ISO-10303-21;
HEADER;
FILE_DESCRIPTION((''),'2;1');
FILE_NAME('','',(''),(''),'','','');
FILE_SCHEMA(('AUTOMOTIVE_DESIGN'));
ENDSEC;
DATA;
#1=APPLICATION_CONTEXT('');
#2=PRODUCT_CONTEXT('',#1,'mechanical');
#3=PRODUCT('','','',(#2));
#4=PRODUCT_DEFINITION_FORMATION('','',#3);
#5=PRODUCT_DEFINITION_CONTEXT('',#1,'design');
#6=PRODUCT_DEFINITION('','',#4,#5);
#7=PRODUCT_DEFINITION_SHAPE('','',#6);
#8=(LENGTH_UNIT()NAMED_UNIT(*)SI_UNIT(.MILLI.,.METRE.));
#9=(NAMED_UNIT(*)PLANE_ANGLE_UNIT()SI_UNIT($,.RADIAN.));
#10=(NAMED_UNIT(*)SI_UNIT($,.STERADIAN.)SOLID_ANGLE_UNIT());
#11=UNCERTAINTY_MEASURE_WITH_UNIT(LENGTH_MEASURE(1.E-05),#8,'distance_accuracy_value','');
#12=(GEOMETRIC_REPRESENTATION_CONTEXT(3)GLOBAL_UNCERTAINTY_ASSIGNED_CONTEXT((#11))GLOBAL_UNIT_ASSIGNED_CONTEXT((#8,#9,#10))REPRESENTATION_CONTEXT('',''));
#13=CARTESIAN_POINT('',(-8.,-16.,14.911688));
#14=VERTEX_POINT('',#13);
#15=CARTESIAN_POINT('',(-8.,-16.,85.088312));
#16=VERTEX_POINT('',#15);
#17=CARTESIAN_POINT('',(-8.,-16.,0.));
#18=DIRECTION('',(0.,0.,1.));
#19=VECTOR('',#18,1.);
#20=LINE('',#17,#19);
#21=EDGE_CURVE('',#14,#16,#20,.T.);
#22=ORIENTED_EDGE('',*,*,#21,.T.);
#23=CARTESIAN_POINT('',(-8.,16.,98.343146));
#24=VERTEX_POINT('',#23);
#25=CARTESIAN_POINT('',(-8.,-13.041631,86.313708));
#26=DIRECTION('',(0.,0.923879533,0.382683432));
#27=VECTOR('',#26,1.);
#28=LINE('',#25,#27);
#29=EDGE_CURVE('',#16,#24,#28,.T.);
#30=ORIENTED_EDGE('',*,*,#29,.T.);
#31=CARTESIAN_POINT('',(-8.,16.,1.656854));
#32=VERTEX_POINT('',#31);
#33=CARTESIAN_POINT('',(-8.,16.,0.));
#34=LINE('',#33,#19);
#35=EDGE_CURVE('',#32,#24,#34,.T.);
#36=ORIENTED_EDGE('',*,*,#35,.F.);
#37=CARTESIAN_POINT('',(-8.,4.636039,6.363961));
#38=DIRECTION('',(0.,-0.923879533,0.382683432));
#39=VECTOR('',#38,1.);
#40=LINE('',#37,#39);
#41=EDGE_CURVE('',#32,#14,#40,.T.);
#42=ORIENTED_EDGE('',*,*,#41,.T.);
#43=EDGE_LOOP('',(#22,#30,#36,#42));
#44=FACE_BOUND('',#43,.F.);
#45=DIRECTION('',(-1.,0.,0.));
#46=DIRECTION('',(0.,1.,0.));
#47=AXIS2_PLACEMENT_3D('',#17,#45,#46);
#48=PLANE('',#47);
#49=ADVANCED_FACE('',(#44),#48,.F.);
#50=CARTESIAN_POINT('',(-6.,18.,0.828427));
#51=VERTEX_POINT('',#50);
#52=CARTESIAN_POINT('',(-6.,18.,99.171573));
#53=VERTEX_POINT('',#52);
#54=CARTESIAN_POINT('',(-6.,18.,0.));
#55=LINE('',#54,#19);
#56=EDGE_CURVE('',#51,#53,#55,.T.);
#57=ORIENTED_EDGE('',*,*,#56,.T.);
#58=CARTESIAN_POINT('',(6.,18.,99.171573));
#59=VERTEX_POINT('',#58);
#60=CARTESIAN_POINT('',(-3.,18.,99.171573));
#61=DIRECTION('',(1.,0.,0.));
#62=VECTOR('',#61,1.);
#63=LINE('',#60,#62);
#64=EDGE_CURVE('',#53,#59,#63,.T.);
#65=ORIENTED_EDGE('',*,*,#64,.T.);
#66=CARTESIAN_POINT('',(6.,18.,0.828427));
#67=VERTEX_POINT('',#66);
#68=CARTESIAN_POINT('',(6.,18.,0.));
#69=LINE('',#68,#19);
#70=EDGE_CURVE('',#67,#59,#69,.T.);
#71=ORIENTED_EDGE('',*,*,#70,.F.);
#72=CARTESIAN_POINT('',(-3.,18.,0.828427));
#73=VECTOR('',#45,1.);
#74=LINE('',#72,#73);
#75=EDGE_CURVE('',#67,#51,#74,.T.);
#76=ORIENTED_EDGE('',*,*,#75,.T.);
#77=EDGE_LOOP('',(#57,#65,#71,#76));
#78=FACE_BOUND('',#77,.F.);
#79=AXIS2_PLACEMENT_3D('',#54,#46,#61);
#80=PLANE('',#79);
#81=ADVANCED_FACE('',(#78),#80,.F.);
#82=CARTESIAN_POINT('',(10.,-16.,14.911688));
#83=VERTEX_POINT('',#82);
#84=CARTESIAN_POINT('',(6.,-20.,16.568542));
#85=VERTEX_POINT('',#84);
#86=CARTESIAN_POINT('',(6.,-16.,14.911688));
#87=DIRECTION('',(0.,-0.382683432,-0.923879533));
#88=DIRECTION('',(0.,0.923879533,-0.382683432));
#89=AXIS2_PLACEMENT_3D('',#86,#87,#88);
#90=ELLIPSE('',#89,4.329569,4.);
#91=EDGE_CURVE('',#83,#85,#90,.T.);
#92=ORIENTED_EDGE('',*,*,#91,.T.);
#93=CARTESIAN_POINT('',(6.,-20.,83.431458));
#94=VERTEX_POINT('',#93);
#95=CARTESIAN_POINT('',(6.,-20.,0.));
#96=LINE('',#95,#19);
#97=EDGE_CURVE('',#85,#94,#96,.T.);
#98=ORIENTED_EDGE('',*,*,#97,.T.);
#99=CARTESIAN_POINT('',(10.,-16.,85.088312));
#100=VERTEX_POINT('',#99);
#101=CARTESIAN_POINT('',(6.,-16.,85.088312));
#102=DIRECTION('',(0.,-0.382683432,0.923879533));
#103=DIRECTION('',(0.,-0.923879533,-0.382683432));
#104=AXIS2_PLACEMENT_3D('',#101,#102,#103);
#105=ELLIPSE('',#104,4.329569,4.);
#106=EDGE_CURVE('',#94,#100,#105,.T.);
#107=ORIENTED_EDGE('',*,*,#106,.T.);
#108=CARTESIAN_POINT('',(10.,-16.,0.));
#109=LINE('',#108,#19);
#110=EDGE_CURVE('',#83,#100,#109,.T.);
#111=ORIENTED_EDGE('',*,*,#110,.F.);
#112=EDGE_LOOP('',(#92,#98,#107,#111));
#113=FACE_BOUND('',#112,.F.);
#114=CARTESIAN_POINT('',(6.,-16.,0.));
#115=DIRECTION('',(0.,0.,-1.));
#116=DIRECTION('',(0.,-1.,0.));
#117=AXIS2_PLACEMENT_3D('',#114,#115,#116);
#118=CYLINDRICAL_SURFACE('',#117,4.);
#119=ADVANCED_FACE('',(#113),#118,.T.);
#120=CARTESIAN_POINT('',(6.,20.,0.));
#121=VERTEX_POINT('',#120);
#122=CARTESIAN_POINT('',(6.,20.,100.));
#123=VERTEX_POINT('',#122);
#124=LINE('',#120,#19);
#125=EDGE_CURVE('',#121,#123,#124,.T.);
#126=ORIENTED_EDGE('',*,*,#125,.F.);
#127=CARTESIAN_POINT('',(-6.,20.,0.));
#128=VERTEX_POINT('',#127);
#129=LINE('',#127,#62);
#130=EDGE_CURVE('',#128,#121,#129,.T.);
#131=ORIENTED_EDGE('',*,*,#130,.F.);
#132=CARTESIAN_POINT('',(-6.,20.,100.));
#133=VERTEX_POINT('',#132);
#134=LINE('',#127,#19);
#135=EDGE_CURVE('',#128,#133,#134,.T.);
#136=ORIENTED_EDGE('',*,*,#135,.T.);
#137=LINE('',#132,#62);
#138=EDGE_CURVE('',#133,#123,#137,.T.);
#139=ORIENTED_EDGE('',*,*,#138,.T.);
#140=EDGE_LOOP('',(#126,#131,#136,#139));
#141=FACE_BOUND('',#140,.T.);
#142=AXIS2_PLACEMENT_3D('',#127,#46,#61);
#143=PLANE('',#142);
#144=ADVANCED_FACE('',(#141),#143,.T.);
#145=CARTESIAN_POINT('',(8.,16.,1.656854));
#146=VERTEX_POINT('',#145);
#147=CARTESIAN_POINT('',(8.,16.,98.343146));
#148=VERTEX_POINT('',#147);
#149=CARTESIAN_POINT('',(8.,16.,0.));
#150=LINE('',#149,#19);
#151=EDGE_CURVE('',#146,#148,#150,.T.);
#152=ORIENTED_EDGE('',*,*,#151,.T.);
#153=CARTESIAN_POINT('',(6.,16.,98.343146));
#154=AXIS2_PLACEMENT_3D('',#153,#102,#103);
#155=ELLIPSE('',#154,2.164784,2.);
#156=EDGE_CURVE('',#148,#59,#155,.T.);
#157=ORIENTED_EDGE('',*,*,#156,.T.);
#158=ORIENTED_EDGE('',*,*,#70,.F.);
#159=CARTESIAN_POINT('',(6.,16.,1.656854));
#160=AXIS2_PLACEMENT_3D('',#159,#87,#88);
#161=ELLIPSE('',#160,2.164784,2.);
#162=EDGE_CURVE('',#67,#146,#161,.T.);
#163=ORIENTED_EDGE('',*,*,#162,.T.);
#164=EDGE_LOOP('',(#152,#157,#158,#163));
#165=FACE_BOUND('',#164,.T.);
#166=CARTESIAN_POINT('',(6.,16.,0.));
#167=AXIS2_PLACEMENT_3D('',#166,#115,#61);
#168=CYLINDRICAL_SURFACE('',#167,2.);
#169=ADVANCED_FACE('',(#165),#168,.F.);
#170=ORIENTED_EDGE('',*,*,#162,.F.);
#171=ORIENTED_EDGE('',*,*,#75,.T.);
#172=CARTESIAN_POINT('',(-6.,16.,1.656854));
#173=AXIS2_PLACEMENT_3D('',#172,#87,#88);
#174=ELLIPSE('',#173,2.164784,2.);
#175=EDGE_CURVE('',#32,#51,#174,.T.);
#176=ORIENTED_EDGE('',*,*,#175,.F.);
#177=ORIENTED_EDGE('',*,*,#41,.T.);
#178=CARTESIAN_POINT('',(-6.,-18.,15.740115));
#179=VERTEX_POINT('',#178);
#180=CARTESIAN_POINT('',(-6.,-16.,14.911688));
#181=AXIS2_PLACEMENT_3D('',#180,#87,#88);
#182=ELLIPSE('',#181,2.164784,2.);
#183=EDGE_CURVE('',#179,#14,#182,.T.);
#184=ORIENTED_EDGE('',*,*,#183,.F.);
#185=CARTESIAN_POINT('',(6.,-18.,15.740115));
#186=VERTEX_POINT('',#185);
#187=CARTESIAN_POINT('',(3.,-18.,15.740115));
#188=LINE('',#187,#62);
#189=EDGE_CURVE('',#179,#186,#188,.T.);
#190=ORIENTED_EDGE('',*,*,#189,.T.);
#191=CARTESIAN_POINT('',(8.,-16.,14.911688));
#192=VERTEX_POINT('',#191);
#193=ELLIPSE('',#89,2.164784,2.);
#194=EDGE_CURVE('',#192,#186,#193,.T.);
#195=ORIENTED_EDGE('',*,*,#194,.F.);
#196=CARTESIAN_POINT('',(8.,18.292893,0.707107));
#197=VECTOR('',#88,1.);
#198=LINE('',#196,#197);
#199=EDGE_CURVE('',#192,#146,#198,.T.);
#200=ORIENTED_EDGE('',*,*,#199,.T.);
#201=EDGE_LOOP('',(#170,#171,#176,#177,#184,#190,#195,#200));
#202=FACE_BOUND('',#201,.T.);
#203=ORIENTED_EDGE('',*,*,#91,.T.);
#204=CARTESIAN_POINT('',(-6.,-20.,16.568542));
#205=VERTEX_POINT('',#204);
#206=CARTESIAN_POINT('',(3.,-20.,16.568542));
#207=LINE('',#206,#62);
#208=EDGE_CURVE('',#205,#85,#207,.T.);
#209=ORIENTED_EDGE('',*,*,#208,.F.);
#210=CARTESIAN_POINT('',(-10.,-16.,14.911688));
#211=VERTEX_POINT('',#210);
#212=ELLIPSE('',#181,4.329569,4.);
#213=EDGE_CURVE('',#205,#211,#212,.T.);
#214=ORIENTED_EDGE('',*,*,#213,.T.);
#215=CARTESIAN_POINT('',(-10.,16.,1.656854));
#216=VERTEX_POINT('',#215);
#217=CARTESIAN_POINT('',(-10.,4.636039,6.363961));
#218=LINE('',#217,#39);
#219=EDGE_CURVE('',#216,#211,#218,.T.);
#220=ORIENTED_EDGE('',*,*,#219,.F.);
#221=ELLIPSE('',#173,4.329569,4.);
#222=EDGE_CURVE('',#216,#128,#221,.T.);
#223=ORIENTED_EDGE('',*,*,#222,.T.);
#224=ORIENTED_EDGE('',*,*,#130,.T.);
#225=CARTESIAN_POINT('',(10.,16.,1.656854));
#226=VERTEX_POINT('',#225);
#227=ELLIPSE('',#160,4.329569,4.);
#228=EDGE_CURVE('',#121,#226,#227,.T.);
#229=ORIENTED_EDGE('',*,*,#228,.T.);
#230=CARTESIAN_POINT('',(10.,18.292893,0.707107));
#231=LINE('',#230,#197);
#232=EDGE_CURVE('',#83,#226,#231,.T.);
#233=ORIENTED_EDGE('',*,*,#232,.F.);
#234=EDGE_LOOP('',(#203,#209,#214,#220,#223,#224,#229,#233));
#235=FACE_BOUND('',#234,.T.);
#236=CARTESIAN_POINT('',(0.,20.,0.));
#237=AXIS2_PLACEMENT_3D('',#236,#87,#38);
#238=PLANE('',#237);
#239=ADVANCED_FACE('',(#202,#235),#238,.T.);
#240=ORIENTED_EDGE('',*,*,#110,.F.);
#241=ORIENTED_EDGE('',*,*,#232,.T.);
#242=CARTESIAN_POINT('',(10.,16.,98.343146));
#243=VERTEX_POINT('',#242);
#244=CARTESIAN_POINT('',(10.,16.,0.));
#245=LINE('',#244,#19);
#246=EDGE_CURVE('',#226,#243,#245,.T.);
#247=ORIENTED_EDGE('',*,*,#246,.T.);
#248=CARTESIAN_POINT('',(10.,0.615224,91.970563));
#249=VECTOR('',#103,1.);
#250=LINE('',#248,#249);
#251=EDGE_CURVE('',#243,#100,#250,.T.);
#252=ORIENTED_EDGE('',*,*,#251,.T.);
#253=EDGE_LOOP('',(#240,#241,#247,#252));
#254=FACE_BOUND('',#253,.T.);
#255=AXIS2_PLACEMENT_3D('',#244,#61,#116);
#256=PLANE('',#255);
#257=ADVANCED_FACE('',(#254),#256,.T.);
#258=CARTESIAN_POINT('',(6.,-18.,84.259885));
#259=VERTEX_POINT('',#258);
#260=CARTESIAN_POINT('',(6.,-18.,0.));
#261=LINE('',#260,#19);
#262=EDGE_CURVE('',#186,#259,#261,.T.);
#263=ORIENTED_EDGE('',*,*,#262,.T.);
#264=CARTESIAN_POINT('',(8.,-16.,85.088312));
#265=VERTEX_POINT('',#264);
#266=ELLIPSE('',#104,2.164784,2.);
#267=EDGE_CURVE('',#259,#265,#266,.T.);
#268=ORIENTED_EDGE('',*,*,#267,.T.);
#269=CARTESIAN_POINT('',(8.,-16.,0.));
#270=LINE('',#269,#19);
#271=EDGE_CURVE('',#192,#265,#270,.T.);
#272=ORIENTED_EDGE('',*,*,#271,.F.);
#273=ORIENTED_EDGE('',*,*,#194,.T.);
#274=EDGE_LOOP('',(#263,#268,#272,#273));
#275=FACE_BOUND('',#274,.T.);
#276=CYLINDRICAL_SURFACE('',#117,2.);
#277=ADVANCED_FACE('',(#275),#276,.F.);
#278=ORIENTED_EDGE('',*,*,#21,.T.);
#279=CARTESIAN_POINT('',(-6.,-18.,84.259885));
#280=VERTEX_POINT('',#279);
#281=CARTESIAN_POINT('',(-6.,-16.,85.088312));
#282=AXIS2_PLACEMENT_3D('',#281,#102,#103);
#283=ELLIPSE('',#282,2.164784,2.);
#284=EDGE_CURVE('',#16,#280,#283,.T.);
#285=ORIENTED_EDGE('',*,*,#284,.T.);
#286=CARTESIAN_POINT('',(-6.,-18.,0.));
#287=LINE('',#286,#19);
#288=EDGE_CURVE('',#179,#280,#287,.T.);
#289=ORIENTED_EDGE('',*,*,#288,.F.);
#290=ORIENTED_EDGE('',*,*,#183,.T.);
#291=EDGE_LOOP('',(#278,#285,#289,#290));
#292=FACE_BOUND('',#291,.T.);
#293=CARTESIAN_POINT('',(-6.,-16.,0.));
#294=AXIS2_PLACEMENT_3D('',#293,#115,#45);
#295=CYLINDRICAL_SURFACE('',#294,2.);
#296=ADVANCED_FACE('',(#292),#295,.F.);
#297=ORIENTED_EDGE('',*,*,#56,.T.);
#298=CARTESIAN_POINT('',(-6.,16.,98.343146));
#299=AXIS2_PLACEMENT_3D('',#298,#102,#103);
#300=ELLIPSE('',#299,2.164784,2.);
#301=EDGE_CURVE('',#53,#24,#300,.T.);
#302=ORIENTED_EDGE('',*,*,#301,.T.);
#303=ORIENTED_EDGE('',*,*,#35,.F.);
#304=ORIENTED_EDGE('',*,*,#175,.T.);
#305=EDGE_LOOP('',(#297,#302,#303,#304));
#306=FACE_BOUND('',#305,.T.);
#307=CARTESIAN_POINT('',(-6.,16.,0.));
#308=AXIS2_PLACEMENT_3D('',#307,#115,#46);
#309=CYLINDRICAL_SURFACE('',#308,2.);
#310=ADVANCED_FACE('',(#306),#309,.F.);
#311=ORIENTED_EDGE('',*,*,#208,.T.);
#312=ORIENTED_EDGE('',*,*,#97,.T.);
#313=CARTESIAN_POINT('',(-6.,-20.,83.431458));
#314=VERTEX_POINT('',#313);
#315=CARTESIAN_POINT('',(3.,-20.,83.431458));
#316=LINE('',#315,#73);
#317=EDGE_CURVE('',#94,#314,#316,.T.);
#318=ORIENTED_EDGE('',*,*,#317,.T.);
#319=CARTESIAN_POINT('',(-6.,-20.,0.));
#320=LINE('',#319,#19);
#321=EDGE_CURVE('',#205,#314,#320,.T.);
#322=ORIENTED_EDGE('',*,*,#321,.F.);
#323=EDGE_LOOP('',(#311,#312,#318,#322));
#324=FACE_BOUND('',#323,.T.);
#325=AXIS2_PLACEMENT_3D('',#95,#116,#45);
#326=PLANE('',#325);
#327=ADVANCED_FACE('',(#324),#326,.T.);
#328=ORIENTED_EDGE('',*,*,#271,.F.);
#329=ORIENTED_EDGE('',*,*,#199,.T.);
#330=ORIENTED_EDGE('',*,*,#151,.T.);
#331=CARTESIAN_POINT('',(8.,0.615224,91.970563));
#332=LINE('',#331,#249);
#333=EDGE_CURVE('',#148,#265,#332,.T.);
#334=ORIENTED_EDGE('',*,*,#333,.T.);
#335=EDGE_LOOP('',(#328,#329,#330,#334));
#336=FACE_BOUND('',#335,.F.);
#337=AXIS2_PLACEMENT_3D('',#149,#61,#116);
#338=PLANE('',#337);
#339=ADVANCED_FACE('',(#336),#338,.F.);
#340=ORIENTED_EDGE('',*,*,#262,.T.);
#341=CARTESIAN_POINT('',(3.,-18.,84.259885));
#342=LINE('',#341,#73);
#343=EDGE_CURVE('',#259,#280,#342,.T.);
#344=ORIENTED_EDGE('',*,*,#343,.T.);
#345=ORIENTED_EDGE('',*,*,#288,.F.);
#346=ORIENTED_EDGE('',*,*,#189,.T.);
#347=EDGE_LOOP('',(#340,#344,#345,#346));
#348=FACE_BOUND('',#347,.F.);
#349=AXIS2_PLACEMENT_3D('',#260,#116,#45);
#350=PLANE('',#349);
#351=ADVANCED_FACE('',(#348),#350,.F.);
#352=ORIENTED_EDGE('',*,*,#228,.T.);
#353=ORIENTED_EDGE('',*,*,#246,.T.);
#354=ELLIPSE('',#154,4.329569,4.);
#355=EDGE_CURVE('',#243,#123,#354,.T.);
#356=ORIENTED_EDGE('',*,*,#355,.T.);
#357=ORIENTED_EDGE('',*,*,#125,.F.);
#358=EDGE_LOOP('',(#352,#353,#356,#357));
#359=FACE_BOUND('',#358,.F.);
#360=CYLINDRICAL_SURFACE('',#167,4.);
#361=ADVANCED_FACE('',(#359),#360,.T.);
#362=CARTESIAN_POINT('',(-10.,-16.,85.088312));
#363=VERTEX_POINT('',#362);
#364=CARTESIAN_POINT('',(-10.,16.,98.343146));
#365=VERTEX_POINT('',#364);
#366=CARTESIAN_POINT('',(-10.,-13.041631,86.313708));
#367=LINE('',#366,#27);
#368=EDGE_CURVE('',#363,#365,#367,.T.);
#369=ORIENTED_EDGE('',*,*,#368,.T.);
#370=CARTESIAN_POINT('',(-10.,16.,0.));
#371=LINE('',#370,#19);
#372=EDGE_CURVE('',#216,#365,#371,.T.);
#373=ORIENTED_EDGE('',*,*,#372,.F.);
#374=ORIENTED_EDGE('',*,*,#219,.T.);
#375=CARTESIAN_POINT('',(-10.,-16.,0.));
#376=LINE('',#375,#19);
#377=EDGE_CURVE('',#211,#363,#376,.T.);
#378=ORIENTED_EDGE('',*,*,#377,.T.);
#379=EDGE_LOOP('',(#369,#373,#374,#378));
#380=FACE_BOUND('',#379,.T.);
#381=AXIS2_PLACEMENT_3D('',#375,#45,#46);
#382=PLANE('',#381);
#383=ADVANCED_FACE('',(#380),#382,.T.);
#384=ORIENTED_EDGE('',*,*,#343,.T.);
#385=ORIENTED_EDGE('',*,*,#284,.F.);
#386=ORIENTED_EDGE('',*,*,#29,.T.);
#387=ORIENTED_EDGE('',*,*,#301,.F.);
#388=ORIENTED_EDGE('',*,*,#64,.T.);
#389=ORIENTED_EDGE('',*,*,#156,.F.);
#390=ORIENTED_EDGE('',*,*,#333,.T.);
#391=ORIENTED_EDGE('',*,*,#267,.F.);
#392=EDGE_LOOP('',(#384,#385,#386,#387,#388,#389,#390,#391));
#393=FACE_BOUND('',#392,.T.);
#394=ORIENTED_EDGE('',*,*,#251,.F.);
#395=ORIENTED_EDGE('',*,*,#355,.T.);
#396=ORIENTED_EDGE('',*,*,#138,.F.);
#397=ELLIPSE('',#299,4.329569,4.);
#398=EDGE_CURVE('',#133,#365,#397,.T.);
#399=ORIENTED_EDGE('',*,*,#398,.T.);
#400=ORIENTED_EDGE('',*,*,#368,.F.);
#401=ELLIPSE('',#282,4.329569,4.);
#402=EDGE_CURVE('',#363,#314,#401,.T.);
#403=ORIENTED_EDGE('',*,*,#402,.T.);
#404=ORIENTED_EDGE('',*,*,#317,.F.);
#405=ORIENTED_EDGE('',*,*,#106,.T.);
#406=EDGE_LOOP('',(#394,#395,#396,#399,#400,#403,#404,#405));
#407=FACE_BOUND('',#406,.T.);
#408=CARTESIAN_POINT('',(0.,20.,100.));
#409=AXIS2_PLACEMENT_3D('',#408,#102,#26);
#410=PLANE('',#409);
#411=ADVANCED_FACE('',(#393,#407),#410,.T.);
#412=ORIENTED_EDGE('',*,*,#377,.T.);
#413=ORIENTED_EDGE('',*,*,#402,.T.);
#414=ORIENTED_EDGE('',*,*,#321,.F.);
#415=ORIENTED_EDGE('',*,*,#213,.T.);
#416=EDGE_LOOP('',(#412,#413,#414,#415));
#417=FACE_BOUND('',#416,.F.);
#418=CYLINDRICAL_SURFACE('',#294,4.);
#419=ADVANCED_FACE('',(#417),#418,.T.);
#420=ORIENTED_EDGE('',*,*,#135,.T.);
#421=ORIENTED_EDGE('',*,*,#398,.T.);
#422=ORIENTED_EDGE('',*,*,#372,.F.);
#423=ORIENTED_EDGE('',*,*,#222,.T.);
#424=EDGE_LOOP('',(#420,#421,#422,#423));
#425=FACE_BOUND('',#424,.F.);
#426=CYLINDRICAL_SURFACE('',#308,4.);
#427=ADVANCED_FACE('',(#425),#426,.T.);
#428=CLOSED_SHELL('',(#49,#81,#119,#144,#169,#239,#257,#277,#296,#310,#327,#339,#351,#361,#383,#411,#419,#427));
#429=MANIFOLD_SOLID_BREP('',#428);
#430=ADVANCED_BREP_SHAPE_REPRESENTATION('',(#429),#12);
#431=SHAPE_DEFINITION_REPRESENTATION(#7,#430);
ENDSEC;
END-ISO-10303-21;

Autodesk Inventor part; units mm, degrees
ref_plane "Start Plane" through (0, 0, 0) normal (0, 0, 1) x (1, 0, 0)
ref_plane "End Plane" through (0, 0, 100) normal (0, 0, 1) x (1, 0, 0)
sketch "Sketch" plane through (0, 0, 0) normal (0, 0, 1) x (1, 0, 0)
  line L0 (-10, -16) -> (-10, 16)
  line L1 (-6, 20) -> (6, 20)
  line L2 (10, 16) -> (10, -16)
  line L3 (6, -20) -> (-6, -20)
  arc A0 (-10, -16) -> (-6, -20) centre (-6, -16) ccw
  arc A1 (10, 16) -> (6, 20) centre (6, 16) ccw
  arc A2 (-6, 20) -> (-10, 16) centre (-6, 16) ccw
  arc A3 (6, -20) -> (10, -16) centre (6, -16) ccw
  arc A4 (-6, 18) -> (-8, 16) centre (-6, 16) ccw
  line L4 (-6, 18) -> (6, 18)
  arc A5 (8, 16) -> (6, 18) centre (6, 16) ccw
  line L5 (8, 16) -> (8, -16)
  arc A6 (6, -18) -> (8, -16) centre (6, -16) ccw
  line L6 (6, -18) -> (-6, -18)
  arc A7 (-8, -16) -> (-6, -18) centre (-6, -16) ccw
  line L7 (-8, -16) -> (-8, 16)
  line L8 (0, 29.1598) -> (0, -29.1598) construction
  line L9 (-15.1598, 0) -> (15.1598, 0) construction
  dimension "d7" = 4
  dimension "d9" = 20
  dimension "d11" = 40
  dimension "d12" = 2
  dimension "d15" = 10
  dimension "d16" = 20
extrude "Body" add sketch "Sketch" along normal up to surface (100 mm away) from surface at 0
sketch "Sketch3" plane through (0, 0, 0) normal (0, 0, 1) x (1, 0, 0)
  line L0 (0, 0) -> (10, 0)
ref_plane "Work Plane3" through (0, 0, 0) normal (0, -1, 0) x (1, 0, 0)
ref_plane "Work Plane4" through (0, 20, 100) normal (0, -0.3827, 0.9239) x (1, 0, 0)
split "Split1" plane through (0, 20, 100) removes the side toward (0, -0.3827, 0.9239)
ref_plane "Work Plane5" through (0, 20, 0) normal (0, -0.3827, -0.9239) x (1, 0, 0)
split "Split2" plane through (0, 20, 0) removes the side toward (0, -0.3827, -0.9239)
sketch "Sketch4" plane through (0, 0, 0) normal (0, -1, 0) x (1, 0, 0)
  line L0 (-2, 0) -> (12, 0) projected
  line L1 (-2, 100) -> (12, 100) projected
  dimension "d18" = 100
equation "\"d7\" = G_IR"
equation "\"d9\" = G_W"
equation "\"d11\" = G_H"
equation "\"d12\" = G_T"
equation "\"d15\" = 0.5 * d9"
equation "\"d16\" = 0.5 * d11"
equation "\"d3\" = G_L"
equation "\"G_W\" = 20"
equation "\"G_H\" = 40"
equation "\"G_T\" = 2"
equation "\"G_IR\" = 4"
equation "\"G_L\" = d18"
equation "\"G_OFFSET_START\" = 0"
equation "\"G_OFFSET_END\" = 0"
properties part number "ISO 4019 - 40x20x2 - 100" material "Steel, Mild"
